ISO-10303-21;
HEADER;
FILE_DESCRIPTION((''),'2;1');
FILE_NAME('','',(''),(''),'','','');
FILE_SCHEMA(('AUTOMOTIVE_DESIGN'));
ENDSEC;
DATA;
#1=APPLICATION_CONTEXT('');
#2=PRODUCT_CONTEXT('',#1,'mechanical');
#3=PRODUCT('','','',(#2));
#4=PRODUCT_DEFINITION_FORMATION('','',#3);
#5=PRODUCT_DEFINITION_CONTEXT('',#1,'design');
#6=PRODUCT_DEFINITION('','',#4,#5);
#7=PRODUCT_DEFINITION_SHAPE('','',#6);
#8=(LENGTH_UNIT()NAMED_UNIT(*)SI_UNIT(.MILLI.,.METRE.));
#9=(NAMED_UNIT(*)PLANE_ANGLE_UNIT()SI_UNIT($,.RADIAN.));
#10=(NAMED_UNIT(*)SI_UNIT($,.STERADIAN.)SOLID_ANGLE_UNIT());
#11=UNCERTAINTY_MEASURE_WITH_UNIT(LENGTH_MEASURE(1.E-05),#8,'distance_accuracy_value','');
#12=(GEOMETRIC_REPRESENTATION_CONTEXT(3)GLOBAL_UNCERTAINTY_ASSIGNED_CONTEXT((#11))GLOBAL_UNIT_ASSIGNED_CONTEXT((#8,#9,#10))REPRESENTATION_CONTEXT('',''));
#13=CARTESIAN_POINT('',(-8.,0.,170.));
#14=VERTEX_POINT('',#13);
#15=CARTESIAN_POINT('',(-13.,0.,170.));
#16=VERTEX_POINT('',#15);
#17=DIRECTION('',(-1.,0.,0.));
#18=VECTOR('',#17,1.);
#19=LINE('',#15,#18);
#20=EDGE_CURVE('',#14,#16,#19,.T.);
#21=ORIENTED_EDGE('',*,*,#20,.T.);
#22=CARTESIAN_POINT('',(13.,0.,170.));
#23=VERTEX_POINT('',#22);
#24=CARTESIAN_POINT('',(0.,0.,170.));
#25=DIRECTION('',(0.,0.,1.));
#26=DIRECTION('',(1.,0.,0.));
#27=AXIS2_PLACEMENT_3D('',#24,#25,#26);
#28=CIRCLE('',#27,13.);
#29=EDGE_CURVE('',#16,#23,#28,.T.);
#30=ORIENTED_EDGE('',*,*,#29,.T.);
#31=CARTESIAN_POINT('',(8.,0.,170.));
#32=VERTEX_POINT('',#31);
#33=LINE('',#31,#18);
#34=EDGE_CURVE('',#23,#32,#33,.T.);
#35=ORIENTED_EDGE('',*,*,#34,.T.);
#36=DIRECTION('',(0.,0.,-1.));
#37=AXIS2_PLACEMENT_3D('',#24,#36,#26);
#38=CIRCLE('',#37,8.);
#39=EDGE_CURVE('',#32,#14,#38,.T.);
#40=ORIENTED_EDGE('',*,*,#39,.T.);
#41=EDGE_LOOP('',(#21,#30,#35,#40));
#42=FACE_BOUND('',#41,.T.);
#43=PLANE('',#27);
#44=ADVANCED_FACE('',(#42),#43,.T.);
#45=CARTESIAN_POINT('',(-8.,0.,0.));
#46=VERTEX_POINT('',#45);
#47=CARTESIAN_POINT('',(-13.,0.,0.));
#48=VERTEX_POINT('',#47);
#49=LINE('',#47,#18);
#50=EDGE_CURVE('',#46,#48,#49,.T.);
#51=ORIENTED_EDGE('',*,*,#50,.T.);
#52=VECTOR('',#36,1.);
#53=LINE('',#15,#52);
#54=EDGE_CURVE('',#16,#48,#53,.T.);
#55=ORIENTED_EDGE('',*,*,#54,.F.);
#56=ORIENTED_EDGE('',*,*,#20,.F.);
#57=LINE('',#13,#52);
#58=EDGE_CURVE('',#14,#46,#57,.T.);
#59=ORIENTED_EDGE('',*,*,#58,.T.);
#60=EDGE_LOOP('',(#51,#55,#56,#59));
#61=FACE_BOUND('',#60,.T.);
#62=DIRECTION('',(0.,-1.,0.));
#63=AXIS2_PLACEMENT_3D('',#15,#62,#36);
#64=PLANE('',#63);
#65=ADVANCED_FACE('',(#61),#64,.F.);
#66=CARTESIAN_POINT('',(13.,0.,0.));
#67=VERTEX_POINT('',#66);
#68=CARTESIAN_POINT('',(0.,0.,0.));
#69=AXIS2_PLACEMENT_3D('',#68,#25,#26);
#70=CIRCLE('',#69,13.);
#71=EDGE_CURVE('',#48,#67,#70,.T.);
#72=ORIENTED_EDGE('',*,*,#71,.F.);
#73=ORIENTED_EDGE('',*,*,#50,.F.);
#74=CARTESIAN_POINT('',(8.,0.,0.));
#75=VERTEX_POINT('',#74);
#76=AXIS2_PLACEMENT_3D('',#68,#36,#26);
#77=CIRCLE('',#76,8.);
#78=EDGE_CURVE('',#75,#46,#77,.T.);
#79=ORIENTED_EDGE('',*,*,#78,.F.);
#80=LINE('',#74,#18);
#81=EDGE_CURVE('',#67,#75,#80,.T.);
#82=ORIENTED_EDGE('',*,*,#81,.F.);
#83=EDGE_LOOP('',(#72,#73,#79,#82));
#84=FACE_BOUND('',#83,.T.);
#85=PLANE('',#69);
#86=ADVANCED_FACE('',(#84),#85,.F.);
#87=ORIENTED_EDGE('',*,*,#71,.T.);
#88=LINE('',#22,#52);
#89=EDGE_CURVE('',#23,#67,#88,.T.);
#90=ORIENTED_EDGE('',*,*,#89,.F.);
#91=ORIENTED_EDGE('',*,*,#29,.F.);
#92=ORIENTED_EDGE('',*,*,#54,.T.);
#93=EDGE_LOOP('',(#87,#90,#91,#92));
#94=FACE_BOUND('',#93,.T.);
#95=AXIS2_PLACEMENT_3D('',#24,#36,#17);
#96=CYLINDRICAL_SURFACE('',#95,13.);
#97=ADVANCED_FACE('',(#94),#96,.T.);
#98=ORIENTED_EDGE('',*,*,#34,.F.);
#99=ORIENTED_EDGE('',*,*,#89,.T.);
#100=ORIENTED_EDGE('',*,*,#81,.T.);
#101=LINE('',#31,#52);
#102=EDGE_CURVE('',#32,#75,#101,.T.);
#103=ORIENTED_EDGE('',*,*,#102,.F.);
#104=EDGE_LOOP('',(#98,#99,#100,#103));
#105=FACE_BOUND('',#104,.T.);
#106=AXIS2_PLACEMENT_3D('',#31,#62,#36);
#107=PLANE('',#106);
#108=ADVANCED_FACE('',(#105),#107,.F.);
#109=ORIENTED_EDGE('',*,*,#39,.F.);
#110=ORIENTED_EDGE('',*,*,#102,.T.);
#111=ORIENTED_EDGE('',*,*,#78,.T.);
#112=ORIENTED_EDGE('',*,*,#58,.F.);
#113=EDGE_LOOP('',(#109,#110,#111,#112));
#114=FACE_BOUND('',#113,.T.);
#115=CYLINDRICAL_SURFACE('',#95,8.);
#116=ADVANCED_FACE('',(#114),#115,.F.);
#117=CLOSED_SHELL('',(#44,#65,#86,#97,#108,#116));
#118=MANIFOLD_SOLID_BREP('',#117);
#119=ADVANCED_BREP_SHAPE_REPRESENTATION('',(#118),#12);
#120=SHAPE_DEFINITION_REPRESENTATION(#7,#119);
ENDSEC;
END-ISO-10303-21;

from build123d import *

# Parameters (mm, degrees)
BOSS_EXTRUDE1_DEPTH = 170


with BuildPart() as part:
    # Sketch2 → Boss-Extrude1 (new body)
    with BuildSketch(Plane.XY):
        with BuildLine():
            Line((-13, 0), (-8, 0))
            ThreePointArc((-8, 0), (0, -8), (8, 0))
            Line((8, 0), (13, 0))
            ThreePointArc((13, 0), (0, -13), (-13, 0))
        make_face()
    extrude(amount=BOSS_EXTRUDE1_DEPTH)


solid = part.part
